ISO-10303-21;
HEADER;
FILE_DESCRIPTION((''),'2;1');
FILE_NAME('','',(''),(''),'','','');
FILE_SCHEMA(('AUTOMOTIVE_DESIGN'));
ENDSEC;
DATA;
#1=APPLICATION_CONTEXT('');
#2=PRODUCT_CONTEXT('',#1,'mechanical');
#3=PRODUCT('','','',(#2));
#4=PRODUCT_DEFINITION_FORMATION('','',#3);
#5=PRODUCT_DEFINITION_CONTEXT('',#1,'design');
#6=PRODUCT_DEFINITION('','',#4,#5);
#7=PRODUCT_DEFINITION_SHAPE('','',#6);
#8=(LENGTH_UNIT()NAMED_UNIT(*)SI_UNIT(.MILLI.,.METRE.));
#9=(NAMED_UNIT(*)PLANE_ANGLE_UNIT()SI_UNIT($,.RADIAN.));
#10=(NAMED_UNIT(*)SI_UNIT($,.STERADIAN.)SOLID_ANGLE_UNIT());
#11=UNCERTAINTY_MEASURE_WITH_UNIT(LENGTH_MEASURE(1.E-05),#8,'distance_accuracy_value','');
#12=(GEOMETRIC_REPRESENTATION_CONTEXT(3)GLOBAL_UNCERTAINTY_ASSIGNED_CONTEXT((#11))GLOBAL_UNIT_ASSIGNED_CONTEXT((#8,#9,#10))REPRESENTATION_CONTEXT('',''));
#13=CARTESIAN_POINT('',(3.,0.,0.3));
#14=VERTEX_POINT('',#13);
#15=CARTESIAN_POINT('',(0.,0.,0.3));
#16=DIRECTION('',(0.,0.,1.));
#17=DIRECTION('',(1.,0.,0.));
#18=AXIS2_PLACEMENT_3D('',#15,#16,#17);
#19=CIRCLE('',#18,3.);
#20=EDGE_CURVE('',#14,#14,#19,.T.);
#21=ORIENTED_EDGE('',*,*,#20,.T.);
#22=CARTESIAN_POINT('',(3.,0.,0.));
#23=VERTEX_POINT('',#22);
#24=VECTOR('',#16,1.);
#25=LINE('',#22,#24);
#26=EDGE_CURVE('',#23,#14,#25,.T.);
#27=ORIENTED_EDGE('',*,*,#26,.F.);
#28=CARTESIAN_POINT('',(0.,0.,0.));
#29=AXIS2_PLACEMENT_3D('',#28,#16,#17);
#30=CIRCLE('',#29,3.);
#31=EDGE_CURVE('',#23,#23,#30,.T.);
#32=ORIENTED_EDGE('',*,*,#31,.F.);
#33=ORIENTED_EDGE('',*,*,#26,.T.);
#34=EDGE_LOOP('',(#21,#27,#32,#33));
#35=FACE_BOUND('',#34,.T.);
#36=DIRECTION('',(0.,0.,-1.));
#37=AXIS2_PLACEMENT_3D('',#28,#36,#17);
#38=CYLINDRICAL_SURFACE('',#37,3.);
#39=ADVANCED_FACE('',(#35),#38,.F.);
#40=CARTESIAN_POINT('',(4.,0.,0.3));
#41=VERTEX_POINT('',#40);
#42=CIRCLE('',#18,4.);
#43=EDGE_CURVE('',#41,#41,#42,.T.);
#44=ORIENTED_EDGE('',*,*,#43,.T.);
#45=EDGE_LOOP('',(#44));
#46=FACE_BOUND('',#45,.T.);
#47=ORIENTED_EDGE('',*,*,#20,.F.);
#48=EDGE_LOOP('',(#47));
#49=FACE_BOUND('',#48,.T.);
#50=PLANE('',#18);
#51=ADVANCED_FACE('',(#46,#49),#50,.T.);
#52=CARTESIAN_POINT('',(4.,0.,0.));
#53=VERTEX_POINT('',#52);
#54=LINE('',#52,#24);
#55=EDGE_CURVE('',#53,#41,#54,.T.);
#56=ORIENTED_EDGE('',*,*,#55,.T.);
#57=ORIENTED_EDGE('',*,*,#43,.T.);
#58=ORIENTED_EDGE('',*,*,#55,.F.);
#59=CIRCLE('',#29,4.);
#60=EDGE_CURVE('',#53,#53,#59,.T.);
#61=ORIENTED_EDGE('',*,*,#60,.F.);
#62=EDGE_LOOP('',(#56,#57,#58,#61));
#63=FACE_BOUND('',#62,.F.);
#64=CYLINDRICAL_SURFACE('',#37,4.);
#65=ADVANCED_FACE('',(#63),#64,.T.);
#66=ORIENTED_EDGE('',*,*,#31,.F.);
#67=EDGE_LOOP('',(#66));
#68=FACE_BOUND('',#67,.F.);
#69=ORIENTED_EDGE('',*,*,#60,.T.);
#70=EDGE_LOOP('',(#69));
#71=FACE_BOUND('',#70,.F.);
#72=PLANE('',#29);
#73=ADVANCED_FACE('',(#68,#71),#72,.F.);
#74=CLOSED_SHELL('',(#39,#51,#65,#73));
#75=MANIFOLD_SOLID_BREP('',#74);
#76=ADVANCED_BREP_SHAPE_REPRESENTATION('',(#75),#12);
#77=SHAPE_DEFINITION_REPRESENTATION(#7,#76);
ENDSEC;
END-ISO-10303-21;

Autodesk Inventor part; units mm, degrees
ref_plane "YZ Plane" through (0, 0, 0) normal (1, 0, 0) x (0, 1, 0)
ref_plane "XZ Plane" through (0, 0, 0) normal (0, 1, 0) x (-1, 0, 0)
ref_plane "XY Plane" through (0, 0, 0) normal (0, 0, 1) x (1, 0, 0)
sketch "スケッチ1" plane through (0, 0, 0) normal (0, 0, 1) x (1, 0, 0)
  circle A0 centre (0, 0) radius 3
  circle A1 centre (0, 0) radius 4
  dimension "d1" = 6
  dimension "d2" = 8
extrude "押し出し1" add sketch "スケッチ1" along normal blind 0.3
properties part number "シムリング0608,0.3t" material "鋼、高強度、低合金"
